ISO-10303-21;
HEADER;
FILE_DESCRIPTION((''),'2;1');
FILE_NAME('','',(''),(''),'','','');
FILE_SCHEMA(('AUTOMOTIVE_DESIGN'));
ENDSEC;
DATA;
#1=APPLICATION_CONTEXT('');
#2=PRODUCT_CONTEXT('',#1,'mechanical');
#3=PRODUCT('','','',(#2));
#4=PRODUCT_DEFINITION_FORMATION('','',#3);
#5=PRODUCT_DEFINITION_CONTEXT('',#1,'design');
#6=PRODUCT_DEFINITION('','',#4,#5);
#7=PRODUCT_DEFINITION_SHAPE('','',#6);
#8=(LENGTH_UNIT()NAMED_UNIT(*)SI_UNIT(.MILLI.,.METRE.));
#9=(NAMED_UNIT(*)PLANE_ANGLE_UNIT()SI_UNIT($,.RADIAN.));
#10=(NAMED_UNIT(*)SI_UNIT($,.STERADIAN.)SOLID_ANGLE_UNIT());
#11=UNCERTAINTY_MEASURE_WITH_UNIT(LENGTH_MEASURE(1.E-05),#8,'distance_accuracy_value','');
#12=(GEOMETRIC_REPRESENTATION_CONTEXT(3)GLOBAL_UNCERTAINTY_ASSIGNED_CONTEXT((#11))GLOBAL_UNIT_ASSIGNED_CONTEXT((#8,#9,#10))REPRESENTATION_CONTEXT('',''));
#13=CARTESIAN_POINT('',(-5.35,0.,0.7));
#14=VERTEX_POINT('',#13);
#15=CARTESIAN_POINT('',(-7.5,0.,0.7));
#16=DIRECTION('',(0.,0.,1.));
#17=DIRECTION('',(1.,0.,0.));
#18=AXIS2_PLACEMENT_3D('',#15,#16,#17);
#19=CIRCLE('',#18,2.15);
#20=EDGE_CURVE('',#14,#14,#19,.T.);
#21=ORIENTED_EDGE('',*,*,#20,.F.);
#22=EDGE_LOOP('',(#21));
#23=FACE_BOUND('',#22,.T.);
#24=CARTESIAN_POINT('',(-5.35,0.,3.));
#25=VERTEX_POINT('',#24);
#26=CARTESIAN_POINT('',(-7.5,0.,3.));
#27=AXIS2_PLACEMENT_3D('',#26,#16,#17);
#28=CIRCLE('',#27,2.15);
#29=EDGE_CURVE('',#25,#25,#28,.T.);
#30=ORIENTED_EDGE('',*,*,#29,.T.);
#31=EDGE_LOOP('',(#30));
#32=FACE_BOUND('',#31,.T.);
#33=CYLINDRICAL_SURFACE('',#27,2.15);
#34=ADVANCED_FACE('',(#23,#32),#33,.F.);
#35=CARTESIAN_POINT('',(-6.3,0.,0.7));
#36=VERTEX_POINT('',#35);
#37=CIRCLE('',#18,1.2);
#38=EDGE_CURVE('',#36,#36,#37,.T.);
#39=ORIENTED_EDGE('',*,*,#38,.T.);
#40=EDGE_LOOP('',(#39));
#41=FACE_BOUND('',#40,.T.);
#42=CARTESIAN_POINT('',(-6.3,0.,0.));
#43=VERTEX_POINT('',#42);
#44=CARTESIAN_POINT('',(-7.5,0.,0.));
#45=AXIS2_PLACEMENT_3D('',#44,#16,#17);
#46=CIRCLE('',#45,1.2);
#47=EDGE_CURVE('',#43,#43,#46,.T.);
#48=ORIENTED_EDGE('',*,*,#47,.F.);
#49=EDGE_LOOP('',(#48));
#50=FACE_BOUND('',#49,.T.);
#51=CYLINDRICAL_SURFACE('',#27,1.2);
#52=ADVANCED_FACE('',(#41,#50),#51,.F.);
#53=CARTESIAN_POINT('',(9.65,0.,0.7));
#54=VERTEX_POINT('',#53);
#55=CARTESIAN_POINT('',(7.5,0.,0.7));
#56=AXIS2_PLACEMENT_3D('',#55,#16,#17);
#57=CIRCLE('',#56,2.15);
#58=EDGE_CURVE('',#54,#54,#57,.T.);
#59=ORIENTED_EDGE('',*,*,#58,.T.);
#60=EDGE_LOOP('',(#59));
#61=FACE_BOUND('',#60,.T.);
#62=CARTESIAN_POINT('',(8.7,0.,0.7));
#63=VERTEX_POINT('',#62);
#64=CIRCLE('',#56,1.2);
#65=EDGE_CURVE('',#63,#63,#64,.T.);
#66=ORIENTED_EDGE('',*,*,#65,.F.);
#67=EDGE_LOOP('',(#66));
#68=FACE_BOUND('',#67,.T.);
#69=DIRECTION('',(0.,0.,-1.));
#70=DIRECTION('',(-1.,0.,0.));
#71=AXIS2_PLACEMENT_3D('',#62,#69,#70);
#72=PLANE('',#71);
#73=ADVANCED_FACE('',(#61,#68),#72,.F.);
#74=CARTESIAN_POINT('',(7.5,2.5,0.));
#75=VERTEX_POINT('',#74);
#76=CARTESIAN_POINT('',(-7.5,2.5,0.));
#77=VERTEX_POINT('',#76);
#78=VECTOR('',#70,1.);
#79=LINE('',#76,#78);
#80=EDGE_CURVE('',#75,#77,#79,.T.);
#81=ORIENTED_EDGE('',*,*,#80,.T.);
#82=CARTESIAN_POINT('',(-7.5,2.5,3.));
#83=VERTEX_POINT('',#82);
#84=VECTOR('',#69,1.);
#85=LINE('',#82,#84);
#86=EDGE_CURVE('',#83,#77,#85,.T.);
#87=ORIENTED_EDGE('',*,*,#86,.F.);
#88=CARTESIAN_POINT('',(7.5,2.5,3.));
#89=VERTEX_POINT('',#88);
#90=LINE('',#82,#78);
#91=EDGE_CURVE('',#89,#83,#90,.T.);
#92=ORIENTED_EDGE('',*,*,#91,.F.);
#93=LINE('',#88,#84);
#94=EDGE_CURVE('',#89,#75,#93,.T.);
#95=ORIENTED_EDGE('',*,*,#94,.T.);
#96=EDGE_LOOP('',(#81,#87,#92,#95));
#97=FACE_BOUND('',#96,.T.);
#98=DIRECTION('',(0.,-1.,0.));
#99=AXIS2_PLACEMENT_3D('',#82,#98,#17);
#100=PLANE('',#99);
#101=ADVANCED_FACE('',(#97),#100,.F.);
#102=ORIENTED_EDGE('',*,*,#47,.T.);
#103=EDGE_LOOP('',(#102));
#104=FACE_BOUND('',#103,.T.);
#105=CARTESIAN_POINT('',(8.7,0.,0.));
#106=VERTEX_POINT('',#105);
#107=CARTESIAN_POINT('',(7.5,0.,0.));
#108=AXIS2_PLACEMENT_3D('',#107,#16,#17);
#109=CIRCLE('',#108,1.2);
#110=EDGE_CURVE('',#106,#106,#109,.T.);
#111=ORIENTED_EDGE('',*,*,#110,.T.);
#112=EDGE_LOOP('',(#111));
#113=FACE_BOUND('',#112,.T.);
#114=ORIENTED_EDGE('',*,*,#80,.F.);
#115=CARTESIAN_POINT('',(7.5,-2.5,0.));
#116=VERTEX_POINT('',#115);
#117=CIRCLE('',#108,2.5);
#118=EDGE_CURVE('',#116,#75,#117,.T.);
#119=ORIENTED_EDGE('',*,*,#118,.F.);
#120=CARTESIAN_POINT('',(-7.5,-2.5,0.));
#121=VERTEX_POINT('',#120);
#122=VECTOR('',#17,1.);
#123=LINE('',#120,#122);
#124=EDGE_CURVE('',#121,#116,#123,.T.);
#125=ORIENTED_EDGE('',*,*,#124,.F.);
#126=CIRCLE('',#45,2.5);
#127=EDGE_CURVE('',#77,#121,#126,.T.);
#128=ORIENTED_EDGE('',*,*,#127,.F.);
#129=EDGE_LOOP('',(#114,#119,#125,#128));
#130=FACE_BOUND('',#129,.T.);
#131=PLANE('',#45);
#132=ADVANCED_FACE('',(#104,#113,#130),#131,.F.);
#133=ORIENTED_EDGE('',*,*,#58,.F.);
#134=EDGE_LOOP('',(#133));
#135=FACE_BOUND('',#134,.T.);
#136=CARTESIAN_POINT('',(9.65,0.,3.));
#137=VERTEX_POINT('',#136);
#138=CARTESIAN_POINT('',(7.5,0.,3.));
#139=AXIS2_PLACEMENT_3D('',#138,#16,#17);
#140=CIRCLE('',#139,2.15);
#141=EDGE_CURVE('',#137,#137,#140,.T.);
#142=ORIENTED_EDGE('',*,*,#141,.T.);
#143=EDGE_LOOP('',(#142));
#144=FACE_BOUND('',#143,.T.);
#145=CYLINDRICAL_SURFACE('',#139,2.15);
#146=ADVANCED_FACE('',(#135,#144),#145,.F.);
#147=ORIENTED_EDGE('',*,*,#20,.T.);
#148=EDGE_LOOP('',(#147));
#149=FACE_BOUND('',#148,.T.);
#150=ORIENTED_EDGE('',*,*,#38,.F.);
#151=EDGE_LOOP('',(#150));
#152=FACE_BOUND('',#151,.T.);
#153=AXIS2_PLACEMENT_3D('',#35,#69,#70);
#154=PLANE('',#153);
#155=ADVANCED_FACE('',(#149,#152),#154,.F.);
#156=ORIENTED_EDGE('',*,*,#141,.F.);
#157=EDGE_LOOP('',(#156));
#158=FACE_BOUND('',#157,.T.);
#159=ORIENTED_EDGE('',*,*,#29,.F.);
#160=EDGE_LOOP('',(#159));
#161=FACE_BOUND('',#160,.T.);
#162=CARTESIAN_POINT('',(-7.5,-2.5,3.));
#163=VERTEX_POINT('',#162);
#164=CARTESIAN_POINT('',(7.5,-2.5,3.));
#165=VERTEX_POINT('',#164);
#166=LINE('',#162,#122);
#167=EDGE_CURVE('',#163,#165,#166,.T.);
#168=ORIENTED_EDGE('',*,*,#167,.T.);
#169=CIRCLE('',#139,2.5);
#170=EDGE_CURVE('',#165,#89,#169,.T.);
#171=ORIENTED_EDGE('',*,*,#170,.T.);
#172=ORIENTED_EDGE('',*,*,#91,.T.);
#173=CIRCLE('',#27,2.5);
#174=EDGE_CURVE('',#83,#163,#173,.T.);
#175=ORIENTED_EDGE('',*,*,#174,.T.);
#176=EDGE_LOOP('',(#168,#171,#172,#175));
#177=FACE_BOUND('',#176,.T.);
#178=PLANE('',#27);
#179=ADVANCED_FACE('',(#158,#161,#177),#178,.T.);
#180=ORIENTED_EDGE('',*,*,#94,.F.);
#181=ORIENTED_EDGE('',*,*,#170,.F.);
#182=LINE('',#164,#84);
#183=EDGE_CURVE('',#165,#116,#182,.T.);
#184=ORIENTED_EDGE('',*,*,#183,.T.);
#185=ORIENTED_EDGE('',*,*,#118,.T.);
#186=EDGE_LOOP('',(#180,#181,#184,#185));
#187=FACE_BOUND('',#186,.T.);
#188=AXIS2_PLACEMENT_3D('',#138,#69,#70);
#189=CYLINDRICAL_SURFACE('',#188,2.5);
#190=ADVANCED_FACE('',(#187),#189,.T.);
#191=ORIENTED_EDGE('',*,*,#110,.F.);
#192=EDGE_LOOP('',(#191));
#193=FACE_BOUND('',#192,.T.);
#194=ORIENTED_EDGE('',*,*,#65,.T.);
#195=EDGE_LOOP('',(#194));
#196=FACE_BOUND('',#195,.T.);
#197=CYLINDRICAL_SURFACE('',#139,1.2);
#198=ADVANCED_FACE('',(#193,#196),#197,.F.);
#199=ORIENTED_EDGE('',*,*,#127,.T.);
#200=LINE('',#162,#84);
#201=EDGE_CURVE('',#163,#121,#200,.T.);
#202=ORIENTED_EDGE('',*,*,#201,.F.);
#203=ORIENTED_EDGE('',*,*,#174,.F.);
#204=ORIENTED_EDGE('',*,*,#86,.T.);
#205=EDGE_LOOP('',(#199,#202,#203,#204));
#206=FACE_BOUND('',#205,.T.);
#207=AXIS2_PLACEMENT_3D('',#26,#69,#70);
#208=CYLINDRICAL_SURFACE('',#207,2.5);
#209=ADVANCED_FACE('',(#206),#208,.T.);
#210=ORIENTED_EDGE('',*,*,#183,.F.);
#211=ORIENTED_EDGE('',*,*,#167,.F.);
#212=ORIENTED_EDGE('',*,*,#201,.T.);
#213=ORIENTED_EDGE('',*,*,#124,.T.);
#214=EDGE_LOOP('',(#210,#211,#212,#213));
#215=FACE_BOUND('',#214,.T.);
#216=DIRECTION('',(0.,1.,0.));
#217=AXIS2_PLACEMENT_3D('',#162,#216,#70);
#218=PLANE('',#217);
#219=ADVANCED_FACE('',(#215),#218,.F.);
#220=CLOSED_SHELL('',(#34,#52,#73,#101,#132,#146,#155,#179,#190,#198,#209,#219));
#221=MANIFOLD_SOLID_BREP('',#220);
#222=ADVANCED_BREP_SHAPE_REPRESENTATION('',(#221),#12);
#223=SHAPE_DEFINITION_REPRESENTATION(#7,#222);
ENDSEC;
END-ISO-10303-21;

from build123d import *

# Parameters (mm, degrees)
EXTRUDE_1_DEPTH           = 3
HOLE_WIZARD_1_D           = 2.4
HOLE_WIZARD_1_DEPTH       = 5.2
HOLE_WIZARD_1_CBORE_D     = 4.3
HOLE_WIZARD_1_CBORE_DEPTH = 2.3
HOLE_WIZARD_1_TIP         = 0.721032743


with BuildPart() as part:
    # 草图1 → 凸台-拉伸1 (new body)
    with BuildSketch(Plane.XY):
        with BuildLine():
            Line((-7.5, 2.5), (7.5, 2.5))
            ThreePointArc((7.5, 2.5), (10, 0), (7.5, -2.5))
            Line((7.5, -2.5), (-7.5, -2.5))
            ThreePointArc((-7.5, -2.5), (-10, 0), (-7.5, 2.5))
        make_face()
    extrude(amount=EXTRUDE_1_DEPTH)

    # 打孔尺寸(%根据)内六角圆柱头螺钉的类型1
    with Locations(Plane.XY.offset(3)):
        with Locations((-7.5, 0), (7.5, 0)):
            CounterBoreHole(HOLE_WIZARD_1_D / 2, HOLE_WIZARD_1_CBORE_D / 2, HOLE_WIZARD_1_CBORE_DEPTH, depth=HOLE_WIZARD_1_DEPTH)
            with Locations((0, 0, -(HOLE_WIZARD_1_DEPTH + HOLE_WIZARD_1_TIP / 2))):  # 118° drill point
                Cone(0, HOLE_WIZARD_1_D / 2, HOLE_WIZARD_1_TIP, mode=Mode.SUBTRACT)


solid = part.part
